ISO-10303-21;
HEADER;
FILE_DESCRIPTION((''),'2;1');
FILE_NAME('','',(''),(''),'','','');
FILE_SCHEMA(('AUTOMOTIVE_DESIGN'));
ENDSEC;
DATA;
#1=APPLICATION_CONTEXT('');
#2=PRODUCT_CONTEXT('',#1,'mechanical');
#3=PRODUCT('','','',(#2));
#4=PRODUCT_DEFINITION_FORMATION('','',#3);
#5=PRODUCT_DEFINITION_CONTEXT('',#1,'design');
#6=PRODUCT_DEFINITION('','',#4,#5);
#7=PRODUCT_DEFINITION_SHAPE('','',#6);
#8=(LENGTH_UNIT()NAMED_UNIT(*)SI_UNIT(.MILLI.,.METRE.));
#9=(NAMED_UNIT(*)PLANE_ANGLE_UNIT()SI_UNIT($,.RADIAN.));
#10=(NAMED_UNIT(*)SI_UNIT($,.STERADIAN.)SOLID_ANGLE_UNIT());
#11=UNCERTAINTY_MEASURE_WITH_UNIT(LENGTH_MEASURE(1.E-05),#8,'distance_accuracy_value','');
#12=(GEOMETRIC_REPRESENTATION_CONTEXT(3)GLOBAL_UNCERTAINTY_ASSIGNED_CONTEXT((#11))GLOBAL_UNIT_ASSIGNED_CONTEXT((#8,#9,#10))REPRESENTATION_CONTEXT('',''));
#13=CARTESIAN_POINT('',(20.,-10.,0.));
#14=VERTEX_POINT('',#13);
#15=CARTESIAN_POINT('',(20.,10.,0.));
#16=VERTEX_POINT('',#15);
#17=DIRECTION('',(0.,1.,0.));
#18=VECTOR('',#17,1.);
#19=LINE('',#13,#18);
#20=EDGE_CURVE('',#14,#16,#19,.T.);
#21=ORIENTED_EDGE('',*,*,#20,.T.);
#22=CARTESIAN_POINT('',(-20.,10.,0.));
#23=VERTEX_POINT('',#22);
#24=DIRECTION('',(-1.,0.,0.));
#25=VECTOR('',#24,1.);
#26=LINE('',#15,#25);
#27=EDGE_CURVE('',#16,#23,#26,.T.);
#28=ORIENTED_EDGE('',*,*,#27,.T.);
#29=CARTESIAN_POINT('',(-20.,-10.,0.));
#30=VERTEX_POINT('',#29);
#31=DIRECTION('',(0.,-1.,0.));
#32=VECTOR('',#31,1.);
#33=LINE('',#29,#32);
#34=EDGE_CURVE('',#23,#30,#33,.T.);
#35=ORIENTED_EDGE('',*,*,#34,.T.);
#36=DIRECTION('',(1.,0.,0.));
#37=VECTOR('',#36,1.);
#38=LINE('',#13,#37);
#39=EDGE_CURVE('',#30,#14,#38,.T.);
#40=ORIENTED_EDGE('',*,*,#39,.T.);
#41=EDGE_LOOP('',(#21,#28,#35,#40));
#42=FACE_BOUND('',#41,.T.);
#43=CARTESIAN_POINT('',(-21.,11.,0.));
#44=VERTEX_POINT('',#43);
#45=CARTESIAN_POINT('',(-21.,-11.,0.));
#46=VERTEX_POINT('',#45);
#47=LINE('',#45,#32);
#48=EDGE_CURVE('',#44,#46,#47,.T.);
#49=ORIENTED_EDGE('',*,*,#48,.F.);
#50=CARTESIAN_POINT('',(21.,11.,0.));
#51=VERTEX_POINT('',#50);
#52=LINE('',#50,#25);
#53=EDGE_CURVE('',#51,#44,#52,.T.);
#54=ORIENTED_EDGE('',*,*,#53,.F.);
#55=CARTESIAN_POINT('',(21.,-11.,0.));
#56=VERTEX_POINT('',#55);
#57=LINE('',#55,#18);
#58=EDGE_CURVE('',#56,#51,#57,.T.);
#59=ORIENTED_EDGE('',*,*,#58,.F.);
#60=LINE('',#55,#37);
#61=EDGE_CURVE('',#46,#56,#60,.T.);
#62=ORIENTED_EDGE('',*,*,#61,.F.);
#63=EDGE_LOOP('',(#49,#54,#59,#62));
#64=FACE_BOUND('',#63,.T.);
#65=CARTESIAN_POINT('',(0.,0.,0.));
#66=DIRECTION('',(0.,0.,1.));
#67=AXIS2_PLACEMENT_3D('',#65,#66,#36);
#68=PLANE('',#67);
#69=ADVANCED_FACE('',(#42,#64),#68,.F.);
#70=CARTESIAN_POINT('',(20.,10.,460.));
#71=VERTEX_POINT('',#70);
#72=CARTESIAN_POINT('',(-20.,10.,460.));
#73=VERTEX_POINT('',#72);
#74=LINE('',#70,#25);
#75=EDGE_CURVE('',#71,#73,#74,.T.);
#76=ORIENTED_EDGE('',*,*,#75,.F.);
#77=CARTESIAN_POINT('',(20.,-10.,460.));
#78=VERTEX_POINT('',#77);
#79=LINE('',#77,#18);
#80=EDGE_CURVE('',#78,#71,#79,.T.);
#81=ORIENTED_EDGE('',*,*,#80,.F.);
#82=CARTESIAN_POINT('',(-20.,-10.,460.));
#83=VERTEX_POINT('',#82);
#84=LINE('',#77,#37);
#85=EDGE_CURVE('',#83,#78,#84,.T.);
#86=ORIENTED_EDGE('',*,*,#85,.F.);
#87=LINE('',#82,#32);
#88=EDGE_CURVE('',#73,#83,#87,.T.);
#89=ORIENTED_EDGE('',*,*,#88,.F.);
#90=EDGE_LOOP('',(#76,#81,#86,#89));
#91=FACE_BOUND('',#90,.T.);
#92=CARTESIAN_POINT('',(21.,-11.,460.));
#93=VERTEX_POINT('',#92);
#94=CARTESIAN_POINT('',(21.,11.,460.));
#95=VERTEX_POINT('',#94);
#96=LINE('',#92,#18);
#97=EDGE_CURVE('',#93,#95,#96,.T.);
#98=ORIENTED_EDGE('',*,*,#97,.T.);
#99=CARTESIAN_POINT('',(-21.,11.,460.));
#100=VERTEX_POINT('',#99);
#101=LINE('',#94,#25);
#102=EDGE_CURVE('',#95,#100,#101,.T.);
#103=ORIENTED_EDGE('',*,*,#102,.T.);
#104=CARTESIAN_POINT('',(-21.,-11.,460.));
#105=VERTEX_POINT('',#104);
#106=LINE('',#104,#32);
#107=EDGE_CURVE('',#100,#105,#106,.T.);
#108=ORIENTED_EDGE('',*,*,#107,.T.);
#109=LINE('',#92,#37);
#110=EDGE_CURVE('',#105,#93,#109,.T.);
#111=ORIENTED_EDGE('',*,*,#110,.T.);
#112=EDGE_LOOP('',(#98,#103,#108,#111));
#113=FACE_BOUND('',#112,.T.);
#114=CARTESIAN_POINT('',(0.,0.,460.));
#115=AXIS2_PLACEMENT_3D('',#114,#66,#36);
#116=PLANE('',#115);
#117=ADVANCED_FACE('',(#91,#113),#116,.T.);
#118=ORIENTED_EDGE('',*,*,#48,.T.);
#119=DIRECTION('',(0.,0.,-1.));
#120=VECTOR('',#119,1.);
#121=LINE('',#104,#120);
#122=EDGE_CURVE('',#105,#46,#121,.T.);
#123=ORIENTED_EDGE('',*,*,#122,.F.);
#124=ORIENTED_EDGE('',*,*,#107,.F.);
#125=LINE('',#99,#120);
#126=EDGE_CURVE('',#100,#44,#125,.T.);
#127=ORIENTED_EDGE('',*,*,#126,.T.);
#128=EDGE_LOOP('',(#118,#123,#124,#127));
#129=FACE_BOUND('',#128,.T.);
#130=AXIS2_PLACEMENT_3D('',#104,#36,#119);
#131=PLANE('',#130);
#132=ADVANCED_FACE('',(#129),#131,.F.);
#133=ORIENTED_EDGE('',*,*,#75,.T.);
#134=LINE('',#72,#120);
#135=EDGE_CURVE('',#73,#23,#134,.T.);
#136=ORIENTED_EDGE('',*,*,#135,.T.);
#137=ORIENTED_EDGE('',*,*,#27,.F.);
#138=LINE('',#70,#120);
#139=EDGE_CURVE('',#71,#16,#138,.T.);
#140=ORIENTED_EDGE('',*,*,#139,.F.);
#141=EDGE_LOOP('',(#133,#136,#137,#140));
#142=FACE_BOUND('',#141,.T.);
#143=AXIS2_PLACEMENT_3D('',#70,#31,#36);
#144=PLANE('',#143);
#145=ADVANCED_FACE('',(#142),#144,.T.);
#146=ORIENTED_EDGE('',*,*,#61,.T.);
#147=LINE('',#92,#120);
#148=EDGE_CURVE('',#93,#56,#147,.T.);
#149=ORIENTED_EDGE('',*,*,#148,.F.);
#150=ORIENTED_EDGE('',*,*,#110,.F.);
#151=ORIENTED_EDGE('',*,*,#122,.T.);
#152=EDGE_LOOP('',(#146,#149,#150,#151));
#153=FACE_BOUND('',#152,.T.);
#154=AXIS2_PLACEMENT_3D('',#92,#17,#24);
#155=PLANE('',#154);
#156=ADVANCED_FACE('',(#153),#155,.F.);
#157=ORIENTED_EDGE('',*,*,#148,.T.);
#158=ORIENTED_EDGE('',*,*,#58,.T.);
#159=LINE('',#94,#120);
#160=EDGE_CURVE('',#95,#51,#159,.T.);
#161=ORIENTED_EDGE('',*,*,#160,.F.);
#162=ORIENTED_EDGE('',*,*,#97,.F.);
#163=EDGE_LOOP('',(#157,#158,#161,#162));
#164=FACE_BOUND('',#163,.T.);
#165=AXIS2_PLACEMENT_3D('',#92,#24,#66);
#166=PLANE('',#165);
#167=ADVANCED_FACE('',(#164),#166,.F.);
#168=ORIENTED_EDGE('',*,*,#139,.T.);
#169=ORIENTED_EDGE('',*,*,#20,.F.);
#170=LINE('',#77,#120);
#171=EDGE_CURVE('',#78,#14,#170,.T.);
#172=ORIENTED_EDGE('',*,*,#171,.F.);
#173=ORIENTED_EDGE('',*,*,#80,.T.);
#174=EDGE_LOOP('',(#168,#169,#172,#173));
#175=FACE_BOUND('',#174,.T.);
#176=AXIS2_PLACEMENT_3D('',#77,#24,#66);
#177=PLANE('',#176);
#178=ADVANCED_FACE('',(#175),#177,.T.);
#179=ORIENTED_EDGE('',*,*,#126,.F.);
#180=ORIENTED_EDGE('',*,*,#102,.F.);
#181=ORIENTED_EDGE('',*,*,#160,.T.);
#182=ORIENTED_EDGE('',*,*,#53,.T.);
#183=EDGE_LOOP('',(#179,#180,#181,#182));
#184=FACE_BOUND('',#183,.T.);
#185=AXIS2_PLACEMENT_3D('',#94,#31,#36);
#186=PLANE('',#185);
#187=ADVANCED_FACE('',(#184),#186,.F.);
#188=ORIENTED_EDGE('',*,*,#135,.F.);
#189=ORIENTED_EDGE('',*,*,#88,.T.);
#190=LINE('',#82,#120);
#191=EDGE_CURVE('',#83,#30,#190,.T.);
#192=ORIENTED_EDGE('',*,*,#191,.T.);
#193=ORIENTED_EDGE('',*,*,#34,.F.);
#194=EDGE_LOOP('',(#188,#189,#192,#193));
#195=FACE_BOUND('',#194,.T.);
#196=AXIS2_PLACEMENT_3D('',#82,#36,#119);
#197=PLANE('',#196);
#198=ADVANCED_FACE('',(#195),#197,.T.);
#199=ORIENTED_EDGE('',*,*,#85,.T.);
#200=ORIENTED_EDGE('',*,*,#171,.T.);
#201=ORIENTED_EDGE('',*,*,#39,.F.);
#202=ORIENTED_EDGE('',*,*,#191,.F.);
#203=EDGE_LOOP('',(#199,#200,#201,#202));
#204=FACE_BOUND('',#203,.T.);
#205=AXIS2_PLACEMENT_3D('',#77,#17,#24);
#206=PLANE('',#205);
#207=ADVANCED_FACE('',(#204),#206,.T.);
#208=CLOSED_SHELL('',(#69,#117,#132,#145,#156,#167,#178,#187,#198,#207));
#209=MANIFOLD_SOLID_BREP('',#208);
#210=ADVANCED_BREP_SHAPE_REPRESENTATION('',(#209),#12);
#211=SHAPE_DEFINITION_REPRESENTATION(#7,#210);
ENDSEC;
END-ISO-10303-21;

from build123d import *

# Parameters (mm, degrees)
SKETCH1_W           = 42
SKETCH1_H           = 22
SKETCH1_W_2         = 40
SKETCH1_H_2         = 20
BOSS_EXTRUDE1_DEPTH = 460


with BuildPart() as part:
    # Sketch1 → Boss-Extrude1 (new body)
    with BuildSketch(Plane.XY):
        Rectangle(SKETCH1_W, SKETCH1_H)
        Rectangle(SKETCH1_W_2, SKETCH1_H_2, mode=Mode.SUBTRACT)
    extrude(amount=BOSS_EXTRUDE1_DEPTH)


solid = part.part
